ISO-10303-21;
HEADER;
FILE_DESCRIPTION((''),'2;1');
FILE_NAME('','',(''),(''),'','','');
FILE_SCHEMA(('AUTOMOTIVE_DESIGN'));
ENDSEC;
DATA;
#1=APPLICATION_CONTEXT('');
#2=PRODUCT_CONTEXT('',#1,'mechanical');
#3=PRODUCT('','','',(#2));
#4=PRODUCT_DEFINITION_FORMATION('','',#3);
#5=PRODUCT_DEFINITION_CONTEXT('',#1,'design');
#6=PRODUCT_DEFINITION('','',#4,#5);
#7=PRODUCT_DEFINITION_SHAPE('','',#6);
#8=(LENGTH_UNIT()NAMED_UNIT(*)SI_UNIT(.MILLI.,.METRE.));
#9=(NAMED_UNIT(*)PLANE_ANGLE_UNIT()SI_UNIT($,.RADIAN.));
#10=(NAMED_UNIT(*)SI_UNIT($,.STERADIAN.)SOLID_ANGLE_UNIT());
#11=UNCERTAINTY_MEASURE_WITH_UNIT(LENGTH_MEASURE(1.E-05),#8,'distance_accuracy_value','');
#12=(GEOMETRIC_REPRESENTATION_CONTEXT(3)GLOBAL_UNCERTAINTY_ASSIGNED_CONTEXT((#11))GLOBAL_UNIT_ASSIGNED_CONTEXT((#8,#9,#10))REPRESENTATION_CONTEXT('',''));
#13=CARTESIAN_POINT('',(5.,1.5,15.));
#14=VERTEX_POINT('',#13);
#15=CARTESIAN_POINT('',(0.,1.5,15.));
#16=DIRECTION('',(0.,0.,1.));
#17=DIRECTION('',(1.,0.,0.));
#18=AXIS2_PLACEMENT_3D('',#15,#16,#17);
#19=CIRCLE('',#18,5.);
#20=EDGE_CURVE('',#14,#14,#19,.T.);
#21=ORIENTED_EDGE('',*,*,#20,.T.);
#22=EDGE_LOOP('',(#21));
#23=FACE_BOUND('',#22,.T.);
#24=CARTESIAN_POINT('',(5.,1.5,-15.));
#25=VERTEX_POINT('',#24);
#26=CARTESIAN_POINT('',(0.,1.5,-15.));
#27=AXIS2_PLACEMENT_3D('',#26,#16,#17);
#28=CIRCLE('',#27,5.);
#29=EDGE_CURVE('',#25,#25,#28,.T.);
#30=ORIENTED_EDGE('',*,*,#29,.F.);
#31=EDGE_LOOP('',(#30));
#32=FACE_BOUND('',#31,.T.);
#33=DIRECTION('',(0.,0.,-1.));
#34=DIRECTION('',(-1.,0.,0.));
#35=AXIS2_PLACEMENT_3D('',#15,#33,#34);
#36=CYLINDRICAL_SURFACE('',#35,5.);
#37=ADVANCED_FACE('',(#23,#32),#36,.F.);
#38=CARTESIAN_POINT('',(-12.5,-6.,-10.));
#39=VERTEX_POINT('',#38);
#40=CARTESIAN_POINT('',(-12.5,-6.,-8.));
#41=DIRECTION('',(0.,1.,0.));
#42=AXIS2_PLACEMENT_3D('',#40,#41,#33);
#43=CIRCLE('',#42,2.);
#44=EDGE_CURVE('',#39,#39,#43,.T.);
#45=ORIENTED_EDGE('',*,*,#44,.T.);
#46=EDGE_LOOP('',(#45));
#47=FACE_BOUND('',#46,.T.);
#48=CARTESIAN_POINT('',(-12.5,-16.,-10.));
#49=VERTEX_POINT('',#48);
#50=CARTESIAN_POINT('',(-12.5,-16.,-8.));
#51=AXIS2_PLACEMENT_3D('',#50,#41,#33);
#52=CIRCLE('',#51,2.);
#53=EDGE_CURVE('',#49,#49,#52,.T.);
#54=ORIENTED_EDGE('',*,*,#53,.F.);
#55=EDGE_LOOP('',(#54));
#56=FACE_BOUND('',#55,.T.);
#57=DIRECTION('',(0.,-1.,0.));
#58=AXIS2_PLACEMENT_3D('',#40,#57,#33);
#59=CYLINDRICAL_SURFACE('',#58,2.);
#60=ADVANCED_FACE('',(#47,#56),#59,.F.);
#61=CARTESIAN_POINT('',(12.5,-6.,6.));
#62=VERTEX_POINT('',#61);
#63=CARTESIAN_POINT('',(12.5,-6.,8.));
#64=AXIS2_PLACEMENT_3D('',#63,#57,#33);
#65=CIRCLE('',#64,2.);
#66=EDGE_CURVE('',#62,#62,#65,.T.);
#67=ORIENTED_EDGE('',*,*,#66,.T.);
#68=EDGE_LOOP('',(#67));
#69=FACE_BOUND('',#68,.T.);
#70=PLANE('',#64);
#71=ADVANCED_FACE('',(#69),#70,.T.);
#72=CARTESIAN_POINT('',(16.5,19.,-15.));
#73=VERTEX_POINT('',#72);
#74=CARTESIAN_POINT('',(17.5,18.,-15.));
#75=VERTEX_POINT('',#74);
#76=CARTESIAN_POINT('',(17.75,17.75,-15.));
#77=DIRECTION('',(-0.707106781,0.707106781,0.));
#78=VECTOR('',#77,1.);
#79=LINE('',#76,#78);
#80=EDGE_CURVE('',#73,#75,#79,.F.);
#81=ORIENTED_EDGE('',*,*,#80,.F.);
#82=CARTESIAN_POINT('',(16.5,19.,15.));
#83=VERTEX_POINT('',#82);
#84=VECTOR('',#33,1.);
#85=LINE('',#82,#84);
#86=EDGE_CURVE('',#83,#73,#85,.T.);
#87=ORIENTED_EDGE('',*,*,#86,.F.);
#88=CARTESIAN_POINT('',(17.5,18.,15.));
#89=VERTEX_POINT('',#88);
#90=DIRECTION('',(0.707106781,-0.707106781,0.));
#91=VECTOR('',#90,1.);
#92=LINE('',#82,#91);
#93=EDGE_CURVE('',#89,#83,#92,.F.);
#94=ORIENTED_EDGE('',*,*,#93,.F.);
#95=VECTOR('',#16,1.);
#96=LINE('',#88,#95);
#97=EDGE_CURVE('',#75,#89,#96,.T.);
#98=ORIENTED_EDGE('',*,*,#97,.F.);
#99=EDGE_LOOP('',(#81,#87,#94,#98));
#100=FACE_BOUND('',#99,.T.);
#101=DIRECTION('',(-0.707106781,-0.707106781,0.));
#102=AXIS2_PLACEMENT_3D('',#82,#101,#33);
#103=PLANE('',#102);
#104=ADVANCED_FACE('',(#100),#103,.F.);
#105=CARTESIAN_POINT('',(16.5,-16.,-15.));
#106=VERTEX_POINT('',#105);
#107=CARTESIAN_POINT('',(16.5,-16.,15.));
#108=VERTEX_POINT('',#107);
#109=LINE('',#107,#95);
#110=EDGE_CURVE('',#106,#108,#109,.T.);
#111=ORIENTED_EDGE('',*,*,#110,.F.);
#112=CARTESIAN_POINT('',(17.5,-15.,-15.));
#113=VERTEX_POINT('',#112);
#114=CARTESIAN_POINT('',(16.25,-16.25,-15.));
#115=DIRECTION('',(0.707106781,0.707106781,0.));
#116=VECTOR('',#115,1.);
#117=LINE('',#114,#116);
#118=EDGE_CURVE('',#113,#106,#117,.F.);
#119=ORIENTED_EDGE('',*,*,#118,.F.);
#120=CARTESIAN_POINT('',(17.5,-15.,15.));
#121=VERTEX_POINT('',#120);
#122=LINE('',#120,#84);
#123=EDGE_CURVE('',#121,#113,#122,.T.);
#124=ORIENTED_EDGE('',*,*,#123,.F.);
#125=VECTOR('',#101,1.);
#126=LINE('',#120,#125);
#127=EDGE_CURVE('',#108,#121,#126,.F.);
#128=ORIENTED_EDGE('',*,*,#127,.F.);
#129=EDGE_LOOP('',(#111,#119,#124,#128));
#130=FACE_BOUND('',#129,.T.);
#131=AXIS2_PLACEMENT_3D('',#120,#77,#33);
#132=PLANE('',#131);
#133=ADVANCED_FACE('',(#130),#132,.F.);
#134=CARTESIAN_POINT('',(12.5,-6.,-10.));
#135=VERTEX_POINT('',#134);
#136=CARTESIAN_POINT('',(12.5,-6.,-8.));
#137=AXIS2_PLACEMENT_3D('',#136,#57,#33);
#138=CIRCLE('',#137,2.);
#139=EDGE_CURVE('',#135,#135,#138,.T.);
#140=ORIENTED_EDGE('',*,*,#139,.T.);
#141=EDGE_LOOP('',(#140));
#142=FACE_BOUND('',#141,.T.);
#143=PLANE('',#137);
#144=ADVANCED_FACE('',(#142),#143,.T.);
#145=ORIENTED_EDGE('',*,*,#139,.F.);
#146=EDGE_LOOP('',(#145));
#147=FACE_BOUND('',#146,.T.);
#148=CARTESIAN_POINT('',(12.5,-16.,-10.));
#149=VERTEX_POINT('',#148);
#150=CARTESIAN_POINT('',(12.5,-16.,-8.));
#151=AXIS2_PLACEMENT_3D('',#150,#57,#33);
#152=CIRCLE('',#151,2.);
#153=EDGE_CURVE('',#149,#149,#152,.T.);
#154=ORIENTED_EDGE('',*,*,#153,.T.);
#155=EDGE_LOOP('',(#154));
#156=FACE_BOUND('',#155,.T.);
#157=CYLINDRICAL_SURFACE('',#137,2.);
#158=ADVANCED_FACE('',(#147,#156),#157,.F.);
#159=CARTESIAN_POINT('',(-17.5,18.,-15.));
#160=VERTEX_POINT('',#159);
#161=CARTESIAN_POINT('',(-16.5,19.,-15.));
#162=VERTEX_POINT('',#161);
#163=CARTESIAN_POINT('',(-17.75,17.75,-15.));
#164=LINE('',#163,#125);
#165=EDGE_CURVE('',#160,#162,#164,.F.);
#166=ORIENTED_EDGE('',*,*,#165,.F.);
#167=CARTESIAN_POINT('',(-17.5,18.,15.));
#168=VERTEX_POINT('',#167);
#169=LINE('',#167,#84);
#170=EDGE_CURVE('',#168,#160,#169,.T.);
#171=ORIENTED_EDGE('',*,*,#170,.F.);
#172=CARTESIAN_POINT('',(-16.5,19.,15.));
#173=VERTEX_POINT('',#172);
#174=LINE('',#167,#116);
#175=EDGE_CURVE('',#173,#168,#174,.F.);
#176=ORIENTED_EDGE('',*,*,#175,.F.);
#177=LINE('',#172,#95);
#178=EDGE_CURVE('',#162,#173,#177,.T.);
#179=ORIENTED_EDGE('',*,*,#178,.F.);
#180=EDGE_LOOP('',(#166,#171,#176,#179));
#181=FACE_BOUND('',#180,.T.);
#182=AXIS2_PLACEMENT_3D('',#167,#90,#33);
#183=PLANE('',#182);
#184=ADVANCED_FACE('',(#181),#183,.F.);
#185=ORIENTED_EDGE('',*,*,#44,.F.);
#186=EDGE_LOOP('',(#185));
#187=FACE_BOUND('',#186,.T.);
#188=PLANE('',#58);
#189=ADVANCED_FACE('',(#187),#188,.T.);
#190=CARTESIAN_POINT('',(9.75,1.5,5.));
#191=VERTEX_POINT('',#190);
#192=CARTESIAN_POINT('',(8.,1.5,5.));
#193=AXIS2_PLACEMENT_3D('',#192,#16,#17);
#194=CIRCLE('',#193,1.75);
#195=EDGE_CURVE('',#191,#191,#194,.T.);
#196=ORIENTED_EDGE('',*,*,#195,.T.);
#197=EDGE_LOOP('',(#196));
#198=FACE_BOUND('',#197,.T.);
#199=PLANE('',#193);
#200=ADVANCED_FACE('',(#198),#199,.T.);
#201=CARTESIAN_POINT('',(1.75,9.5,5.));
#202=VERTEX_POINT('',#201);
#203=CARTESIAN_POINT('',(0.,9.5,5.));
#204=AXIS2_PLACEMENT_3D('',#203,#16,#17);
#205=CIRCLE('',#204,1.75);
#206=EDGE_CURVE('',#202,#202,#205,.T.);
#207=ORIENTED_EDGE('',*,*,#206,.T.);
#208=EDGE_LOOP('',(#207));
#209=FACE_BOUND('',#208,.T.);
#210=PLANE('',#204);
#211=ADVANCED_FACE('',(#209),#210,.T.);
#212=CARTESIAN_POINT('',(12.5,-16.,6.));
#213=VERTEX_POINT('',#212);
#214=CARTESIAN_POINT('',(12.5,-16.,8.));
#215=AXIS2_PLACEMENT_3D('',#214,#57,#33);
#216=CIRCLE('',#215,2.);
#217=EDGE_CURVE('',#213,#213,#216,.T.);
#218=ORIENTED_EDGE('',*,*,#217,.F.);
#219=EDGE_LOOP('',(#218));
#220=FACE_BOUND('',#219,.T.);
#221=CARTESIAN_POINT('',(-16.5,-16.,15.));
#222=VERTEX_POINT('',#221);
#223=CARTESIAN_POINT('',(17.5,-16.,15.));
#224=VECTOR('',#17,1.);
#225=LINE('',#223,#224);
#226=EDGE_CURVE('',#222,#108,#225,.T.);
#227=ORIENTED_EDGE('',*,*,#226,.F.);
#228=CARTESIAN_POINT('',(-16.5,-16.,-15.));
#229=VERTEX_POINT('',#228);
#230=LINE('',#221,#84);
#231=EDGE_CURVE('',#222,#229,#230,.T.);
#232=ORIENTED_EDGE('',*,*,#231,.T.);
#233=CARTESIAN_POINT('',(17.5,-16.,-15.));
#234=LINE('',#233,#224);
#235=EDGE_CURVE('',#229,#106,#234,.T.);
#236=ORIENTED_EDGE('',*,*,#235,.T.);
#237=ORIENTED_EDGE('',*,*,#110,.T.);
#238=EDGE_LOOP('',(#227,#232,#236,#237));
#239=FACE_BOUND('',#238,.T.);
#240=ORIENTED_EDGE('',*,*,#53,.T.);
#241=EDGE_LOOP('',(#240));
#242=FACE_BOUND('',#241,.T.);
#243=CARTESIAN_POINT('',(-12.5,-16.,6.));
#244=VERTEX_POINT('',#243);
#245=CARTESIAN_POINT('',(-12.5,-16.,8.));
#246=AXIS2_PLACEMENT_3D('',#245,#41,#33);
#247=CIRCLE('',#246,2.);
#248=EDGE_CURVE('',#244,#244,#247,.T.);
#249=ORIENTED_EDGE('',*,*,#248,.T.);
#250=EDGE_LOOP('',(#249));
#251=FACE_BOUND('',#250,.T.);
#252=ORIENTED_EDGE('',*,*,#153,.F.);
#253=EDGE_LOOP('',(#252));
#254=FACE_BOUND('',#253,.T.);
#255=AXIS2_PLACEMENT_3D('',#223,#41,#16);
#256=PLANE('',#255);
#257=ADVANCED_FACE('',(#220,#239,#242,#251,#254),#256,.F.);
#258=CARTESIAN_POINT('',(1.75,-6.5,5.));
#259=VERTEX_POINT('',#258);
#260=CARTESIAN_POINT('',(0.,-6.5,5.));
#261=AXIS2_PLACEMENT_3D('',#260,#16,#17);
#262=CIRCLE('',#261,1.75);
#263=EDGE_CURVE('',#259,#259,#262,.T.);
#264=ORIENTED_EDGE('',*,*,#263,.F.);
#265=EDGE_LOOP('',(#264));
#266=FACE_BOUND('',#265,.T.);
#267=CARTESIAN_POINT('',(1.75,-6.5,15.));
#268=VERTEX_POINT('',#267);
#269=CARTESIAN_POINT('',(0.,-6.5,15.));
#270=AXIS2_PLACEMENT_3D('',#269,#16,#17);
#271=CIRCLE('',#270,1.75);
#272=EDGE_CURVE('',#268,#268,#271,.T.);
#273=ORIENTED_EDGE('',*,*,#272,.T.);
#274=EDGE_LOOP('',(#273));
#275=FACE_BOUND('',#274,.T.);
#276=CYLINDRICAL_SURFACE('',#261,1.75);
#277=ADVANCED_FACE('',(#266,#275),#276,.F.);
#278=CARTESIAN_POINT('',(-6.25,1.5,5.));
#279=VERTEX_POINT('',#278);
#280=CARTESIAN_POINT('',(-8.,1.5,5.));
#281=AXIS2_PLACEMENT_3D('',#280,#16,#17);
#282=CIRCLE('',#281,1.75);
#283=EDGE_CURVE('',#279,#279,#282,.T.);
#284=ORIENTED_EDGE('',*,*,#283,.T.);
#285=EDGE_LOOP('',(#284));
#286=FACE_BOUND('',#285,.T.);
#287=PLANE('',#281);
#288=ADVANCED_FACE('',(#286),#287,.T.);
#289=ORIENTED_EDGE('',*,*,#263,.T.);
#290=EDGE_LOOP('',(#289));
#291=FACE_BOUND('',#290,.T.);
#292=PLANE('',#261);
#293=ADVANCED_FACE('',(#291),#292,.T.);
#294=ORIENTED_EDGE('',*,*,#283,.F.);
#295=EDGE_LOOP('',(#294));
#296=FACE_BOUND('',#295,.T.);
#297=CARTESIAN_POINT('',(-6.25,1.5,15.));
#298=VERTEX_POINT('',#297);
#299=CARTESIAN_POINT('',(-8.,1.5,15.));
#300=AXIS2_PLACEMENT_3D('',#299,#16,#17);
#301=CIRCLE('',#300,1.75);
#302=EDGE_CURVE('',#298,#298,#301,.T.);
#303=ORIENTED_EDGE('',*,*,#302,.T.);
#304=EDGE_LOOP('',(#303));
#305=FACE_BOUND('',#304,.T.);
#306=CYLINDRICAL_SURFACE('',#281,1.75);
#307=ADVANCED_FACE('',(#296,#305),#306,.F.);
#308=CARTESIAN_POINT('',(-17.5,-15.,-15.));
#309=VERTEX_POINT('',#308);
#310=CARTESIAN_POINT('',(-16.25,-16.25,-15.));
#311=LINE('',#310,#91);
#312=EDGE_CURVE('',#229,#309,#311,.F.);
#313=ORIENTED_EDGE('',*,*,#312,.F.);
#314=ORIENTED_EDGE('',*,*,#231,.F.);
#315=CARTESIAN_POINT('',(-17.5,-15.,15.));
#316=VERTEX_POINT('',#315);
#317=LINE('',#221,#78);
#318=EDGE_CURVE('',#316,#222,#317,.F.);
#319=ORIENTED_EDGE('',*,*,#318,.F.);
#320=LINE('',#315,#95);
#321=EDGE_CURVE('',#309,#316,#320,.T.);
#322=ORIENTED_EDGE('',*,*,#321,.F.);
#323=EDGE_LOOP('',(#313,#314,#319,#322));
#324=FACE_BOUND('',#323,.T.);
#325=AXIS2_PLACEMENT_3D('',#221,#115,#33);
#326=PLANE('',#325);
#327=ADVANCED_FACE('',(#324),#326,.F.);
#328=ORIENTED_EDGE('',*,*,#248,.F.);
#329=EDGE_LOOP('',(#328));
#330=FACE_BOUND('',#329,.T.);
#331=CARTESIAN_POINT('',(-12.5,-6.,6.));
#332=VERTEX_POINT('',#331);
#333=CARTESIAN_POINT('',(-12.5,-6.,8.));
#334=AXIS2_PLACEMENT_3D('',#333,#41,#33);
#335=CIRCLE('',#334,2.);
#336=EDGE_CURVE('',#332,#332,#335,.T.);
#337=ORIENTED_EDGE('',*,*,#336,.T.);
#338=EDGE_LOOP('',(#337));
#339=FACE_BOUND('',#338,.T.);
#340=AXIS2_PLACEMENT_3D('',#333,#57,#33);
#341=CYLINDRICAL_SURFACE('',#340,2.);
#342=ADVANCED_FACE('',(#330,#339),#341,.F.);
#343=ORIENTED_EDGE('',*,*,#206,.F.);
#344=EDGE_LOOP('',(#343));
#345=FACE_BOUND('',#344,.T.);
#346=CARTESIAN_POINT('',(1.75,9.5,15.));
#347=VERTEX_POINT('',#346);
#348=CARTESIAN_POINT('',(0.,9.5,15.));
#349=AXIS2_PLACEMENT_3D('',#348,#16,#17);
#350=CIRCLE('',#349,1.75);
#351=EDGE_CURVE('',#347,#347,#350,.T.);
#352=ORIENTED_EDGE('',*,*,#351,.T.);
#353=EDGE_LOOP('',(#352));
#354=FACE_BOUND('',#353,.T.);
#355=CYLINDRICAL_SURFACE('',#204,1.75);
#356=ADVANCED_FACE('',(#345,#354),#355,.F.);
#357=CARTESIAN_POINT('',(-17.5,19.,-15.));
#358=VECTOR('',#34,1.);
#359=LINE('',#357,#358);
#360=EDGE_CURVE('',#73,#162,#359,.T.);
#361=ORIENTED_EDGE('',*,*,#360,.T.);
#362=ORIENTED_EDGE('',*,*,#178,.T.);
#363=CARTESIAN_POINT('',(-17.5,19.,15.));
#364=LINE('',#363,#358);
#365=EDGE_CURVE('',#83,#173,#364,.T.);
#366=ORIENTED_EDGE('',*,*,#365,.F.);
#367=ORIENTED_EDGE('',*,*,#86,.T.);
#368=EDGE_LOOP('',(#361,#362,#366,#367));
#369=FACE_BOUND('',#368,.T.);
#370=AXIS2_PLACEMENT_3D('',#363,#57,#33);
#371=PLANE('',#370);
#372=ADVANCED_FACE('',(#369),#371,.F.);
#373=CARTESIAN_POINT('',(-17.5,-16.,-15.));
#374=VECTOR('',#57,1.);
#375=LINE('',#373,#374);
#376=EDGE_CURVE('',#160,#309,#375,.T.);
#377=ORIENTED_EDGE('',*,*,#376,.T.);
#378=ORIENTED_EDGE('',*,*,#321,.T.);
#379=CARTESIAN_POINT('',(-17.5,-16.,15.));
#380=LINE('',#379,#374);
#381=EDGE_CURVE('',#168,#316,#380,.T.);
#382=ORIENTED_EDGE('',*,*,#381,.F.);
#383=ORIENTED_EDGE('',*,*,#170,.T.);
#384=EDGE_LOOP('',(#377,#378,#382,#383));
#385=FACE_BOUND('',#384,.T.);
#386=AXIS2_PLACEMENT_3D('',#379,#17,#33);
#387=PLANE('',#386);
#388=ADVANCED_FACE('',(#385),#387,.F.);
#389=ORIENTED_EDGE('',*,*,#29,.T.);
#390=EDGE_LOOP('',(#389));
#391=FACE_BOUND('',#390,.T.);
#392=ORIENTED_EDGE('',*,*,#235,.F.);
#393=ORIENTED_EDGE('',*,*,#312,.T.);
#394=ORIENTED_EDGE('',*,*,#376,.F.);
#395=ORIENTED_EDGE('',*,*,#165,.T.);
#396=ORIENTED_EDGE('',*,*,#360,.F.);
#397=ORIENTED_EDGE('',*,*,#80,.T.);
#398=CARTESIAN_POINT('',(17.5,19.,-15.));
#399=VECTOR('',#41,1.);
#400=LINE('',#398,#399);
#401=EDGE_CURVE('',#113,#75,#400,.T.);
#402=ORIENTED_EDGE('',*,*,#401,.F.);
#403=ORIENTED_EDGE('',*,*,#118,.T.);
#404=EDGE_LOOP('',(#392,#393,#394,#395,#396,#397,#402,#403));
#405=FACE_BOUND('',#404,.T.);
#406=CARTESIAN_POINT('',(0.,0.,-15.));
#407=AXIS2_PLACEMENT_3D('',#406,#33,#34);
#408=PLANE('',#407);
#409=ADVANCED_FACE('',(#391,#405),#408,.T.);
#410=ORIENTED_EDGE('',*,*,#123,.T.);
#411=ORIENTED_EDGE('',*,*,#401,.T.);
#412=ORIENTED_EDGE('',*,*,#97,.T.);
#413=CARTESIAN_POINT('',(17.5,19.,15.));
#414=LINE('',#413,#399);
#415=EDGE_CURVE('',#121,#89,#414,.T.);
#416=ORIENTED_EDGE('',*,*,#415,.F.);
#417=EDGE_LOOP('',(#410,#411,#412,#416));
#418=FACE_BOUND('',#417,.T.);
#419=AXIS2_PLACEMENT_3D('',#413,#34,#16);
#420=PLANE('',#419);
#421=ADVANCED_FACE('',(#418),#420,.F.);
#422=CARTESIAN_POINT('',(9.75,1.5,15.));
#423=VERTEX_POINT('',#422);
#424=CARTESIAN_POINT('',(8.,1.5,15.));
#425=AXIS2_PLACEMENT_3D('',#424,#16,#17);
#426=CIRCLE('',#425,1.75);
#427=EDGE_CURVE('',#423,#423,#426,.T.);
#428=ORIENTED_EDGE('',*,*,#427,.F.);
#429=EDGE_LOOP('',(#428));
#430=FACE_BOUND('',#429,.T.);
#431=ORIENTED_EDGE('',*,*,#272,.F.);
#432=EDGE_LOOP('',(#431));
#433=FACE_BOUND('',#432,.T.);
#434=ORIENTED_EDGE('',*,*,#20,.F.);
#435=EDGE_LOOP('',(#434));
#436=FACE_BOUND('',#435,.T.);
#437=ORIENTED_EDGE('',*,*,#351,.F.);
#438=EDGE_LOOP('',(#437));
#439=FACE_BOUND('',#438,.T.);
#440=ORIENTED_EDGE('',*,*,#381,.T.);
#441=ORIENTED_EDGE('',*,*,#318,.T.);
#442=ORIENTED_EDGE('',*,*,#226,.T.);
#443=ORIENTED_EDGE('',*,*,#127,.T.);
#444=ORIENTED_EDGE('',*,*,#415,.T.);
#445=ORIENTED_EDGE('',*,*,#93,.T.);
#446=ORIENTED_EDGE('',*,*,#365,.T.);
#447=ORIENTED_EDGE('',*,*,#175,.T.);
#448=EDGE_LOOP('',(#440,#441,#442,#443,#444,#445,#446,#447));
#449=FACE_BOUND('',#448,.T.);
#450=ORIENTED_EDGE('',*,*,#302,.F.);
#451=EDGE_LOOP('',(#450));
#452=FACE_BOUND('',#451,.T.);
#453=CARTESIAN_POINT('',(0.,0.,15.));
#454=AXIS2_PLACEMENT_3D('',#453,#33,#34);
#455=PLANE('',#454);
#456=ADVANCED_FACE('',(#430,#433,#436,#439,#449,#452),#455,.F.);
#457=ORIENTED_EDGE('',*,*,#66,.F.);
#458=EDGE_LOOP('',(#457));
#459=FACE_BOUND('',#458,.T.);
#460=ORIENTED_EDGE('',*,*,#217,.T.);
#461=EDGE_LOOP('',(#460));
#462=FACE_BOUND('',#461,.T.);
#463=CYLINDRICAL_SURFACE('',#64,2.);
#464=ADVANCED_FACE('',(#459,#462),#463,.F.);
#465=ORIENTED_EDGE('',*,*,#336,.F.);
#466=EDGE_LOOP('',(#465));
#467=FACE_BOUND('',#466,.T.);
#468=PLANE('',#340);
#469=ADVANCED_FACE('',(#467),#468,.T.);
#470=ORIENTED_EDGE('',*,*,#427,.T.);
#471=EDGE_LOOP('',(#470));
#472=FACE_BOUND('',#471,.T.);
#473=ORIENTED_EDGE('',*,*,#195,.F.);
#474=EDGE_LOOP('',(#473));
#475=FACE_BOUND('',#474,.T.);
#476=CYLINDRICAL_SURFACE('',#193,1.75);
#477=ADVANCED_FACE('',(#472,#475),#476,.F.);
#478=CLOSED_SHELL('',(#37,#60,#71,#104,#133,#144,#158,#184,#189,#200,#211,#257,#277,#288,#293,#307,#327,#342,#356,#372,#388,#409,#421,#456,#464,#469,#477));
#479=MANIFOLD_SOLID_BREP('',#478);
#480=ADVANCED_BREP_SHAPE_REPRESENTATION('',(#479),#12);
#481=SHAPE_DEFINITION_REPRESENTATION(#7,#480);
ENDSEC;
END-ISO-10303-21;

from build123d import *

# Parameters (mm, degrees)
SKETCH1_W           = 35
SKETCH1_H           = 35
SKETCH1_R           = 5
BOSS_EXTRUDE1_DEPTH = 15
SKETCH2_R           = 1.75
CUT_EXTRUDE1_DEPTH  = 10
CHAMFER1_SIZE       = 1
SKETCH3_R           = 2
CUT_EXTRUDE2_DEPTH  = 10


with BuildPart() as part:
    # Sketch1 → Boss-Extrude1 (new body, symmetric)
    with BuildSketch(Plane.XY):
        with Locations((0, 1.5)):
            Rectangle(SKETCH1_W, SKETCH1_H)
        with Locations((0, 1.5)):
            Circle(SKETCH1_R, mode=Mode.SUBTRACT)
    extrude(amount=BOSS_EXTRUDE1_DEPTH, both=True)

    # Sketch2 → Cut-Extrude1 (cut)
    with BuildSketch(Plane.XY.offset(15)):
        with Locations((0, 9.5)):
            Circle(SKETCH2_R)
        with Locations((0, -6.5)):
            Circle(SKETCH2_R)
        with Locations((8, 1.5)):
            Circle(SKETCH2_R)
        with Locations((-8, 1.5)):
            Circle(SKETCH2_R)
    extrude(amount=-CUT_EXTRUDE1_DEPTH, mode=Mode.SUBTRACT)

    # Chamfer1
    chamfer1_edges = [part.edges().sort_by_distance(p)[0] for p in [
        (-17.5, 19, 0),
        (17.5, 19, 0),
        (17.5, -16, 0),
        (-17.5, -16, 0),
    ]]
    chamfer(chamfer1_edges, length=CHAMFER1_SIZE)

    # Sketch3 → Cut-Extrude2 (cut)
    with BuildSketch(Plane.XZ.offset(16)):
        with Locations((12.5, 8)):
            Circle(SKETCH3_R)
        with Locations((12.5, -8)):
            Circle(SKETCH3_R)
    cut_extrude2 = extrude(amount=-CUT_EXTRUDE2_DEPTH, mode=Mode.SUBTRACT)

    # Mirror1: Cut-Extrude2 across plane
    add(cut_extrude2.mirror(Plane(origin=(0, 0, 0), x_dir=(0, 0, 1), z_dir=(1, 0, 0))), mode=Mode.SUBTRACT)


solid = part.part
